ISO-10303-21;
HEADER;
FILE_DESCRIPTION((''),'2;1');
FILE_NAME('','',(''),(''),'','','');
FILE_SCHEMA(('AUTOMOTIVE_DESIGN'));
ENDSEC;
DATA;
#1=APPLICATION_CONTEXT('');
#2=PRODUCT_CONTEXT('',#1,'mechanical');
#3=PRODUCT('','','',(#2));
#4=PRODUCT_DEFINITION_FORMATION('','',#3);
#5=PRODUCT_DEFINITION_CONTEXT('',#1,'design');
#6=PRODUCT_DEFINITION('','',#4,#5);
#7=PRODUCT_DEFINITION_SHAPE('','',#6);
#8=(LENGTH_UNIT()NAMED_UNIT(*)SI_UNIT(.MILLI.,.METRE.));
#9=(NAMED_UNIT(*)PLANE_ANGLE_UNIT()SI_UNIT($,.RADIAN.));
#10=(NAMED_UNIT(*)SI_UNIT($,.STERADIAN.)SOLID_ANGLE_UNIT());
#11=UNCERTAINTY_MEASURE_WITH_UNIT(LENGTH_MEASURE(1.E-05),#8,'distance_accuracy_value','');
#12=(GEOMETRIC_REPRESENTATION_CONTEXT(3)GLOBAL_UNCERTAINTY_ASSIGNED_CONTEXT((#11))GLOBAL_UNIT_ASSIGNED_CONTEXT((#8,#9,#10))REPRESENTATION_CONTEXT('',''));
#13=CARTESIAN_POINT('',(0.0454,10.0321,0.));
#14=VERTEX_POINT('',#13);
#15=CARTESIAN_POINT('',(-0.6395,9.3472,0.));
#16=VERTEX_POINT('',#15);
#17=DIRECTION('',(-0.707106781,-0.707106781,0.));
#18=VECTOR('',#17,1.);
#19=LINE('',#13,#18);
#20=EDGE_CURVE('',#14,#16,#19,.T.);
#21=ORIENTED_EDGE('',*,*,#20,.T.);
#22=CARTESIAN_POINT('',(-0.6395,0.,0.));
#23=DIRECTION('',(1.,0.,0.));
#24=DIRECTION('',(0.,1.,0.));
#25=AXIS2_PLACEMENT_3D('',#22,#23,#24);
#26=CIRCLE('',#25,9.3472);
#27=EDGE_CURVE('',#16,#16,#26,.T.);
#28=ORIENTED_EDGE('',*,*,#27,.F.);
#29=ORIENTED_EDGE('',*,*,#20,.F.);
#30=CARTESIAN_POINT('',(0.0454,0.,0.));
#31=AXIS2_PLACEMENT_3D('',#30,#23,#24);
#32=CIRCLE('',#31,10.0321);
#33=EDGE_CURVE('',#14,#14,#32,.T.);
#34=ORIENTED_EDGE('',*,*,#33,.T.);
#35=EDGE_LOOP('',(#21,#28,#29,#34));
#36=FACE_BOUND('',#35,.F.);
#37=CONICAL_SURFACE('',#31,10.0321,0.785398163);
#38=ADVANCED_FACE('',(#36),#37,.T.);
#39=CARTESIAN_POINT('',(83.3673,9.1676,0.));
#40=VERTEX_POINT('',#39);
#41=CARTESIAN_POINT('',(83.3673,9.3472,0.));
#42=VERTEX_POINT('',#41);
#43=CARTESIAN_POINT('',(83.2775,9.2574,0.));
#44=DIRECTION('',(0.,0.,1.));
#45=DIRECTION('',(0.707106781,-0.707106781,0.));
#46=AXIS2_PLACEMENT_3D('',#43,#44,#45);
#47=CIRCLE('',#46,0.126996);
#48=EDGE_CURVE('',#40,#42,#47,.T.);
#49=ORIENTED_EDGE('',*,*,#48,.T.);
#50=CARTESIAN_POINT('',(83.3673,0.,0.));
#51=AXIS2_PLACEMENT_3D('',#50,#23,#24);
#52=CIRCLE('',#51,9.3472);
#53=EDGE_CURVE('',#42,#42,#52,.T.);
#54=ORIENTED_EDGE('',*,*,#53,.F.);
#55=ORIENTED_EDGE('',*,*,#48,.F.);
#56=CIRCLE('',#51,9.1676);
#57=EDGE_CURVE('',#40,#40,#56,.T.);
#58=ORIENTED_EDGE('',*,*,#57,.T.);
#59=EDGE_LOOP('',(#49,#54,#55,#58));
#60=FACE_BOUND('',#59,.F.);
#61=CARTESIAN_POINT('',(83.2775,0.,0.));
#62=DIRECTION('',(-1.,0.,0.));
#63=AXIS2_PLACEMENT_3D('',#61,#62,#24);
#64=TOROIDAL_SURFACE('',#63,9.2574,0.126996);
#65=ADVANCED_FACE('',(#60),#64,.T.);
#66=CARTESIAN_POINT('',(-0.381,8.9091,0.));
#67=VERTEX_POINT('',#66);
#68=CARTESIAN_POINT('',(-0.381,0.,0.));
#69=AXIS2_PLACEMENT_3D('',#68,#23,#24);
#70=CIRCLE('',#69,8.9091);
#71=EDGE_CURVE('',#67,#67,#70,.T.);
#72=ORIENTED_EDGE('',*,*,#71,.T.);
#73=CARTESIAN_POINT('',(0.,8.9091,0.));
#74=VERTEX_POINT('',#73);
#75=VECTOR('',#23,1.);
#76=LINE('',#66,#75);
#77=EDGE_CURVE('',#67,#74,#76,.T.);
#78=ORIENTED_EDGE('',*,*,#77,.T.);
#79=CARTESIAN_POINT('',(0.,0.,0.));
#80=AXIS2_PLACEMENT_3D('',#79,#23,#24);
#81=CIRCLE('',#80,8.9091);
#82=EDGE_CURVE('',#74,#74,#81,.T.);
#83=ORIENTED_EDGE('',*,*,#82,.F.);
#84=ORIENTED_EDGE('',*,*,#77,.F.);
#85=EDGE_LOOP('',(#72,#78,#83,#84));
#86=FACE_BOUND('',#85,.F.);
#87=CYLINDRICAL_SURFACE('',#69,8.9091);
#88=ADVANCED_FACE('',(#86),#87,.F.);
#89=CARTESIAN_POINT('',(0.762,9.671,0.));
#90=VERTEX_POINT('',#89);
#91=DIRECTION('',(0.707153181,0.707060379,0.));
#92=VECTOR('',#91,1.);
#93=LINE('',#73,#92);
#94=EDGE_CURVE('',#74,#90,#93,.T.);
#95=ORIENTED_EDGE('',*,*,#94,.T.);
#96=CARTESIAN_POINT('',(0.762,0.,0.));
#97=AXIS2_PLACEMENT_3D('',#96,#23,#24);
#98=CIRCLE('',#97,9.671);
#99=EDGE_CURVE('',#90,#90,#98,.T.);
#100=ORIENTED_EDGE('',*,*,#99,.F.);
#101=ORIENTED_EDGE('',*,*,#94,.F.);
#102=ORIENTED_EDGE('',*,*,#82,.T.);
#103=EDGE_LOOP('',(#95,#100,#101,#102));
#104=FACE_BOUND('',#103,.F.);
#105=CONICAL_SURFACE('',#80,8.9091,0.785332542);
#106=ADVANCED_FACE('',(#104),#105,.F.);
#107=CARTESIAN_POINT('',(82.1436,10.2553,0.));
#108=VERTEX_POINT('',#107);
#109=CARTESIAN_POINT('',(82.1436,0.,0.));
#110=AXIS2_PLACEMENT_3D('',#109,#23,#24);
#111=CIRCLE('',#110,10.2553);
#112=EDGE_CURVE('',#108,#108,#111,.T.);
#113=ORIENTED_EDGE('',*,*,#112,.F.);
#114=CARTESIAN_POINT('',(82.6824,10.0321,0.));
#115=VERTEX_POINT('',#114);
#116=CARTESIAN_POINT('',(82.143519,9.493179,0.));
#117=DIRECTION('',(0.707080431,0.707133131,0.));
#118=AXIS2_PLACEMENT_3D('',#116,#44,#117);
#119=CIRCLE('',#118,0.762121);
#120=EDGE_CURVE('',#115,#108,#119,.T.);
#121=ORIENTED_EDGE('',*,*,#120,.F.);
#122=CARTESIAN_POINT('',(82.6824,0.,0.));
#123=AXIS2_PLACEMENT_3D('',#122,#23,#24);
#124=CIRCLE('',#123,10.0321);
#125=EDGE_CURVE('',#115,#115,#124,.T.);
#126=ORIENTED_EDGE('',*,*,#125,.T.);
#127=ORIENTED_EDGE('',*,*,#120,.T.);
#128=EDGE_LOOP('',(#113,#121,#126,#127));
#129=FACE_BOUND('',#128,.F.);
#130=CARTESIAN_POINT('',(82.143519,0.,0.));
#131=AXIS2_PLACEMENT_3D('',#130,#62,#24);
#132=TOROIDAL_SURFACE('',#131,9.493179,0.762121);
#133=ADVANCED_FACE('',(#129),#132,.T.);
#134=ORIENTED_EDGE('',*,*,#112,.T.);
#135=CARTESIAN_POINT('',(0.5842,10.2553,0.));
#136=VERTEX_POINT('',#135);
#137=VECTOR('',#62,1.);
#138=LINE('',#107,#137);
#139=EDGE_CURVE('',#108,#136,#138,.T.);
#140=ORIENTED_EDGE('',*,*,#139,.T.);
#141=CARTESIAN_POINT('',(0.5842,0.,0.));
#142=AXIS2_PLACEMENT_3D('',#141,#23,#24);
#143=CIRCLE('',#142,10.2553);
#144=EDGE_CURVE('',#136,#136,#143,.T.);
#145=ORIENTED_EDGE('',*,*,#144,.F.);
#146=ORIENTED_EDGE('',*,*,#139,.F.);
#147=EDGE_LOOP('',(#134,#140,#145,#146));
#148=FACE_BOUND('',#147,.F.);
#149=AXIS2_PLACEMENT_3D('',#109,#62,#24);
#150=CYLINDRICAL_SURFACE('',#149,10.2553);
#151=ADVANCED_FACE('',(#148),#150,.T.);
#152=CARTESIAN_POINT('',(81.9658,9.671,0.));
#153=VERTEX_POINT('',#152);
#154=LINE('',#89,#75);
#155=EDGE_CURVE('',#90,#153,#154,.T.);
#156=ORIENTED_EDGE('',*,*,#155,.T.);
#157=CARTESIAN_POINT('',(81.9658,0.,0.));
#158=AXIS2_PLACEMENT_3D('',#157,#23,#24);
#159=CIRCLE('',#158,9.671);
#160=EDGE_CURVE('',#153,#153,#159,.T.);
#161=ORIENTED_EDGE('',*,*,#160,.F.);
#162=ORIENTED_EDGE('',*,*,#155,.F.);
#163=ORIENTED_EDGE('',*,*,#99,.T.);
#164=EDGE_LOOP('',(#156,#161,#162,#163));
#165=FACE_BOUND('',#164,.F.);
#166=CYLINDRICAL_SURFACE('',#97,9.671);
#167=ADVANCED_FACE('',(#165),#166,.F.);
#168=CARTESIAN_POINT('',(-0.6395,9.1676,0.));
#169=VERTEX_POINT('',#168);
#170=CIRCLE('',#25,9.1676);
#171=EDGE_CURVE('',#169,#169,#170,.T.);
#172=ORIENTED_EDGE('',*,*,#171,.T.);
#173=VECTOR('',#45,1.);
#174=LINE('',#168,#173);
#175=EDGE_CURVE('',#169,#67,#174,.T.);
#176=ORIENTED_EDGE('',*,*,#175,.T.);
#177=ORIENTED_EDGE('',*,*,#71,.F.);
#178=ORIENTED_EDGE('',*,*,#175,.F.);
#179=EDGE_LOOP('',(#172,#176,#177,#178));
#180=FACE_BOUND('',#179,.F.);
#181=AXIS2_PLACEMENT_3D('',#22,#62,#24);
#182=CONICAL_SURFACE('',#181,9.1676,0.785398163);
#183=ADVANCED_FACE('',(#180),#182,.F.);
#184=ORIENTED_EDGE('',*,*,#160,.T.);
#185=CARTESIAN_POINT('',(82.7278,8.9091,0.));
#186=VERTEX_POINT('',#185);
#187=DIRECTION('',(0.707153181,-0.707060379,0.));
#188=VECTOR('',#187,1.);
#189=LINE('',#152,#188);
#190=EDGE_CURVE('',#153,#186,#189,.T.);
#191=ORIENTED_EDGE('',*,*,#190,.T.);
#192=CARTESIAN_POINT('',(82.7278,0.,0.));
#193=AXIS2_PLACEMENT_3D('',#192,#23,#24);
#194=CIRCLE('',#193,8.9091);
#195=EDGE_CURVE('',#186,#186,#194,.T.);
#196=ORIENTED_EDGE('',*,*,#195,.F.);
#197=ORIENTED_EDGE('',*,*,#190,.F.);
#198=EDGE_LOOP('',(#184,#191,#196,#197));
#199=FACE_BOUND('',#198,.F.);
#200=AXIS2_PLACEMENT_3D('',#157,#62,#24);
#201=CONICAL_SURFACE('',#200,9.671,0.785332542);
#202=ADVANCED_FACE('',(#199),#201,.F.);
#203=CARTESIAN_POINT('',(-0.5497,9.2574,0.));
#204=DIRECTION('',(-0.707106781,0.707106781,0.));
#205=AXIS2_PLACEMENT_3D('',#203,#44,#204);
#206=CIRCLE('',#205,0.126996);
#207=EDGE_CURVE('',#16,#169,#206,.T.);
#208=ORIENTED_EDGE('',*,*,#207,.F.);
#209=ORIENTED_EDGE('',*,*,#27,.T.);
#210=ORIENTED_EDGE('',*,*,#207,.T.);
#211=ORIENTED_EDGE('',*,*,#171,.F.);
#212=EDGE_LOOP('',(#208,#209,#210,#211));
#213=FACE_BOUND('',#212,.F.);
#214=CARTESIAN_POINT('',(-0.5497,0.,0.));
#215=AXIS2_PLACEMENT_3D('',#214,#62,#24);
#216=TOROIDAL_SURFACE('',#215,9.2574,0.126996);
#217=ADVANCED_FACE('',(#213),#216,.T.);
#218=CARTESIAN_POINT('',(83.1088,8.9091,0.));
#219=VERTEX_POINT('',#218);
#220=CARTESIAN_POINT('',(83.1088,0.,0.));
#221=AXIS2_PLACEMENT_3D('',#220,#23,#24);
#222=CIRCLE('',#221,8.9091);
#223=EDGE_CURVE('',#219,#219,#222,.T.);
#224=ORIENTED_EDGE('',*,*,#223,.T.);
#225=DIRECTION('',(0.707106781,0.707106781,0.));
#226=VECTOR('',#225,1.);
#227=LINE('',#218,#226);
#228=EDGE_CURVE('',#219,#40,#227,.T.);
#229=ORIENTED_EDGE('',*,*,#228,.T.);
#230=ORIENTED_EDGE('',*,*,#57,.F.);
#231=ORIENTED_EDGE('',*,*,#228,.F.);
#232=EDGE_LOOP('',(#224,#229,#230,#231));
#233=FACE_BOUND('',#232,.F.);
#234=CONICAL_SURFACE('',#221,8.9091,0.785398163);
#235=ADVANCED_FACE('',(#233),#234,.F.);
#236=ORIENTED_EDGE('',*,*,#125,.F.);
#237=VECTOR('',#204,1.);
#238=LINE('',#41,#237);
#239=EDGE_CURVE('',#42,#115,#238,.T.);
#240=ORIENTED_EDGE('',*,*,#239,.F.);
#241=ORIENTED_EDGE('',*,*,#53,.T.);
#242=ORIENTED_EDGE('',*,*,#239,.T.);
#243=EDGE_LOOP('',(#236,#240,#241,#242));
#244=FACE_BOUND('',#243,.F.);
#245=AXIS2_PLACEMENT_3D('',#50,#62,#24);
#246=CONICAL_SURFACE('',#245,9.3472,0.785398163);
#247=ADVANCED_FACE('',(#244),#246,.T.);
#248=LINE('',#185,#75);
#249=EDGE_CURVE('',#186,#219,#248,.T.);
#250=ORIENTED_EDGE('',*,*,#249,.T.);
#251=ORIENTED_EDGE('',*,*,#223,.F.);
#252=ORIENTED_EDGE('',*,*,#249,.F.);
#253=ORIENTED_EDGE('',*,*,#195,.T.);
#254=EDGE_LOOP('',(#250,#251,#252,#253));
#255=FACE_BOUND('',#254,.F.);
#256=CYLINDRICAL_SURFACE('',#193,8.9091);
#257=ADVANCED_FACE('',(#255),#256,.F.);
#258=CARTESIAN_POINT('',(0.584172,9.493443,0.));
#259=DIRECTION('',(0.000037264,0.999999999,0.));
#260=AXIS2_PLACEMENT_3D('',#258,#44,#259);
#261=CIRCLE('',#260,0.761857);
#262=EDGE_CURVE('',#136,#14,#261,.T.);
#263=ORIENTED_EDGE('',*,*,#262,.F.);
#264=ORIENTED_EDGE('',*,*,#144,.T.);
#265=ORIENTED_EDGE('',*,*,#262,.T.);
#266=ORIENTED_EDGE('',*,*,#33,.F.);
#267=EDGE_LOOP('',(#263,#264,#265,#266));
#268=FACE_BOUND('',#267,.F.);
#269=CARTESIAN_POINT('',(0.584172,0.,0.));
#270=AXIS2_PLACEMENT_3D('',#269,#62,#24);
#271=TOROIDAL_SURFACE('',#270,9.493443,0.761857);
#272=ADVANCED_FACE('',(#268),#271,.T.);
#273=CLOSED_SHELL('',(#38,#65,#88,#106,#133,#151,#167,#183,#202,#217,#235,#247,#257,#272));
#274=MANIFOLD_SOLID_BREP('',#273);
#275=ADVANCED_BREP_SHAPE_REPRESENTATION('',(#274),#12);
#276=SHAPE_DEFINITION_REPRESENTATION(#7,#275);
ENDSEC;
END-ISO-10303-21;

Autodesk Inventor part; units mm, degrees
sketch "Sketch_1" plane through (0, 0, 0) normal (0, 0, 1) x (1, 0, 0)
  line L0 (82.7278, 0) -> (0, 0)
  arc A0 (-0.6395, 9.3472) -> (-0.6395, 9.1676) centre (-0.5497, 9.2574) ccw
  line L1 (-0.6395, 9.1676) -> (-0.381, 8.9091)
  line L2 (-0.381, 8.9091) -> (0, 8.9091)
  line L3 (0, 8.9091) -> (0.762, 9.671)
  line L4 (0.762, 9.671) -> (81.9658, 9.671)
  line L5 (81.9658, 9.671) -> (82.7278, 8.9091)
  line L6 (82.7278, 8.9091) -> (83.1088, 8.9091)
  line L7 (83.1088, 8.9091) -> (83.3673, 9.1676)
  arc A1 (83.3673, 9.1676) -> (83.3673, 9.3472) centre (83.2775, 9.2574) ccw
  line L8 (83.3673, 9.3472) -> (82.6824, 10.0321)
  arc A2 (82.6824, 10.0321) -> (82.1436, 10.2553) centre (82.1436, 9.4933) ccw
  line L9 (82.1436, 10.2553) -> (0.5842, 10.2553)
  arc A3 (0.5842, 10.2553) -> (0.0454, 10.0321) centre (0.5842, 9.4933) ccw
  line L10 (0.0454, 10.0321) -> (-0.6395, 9.3472)
revolve "Revolution1" add sketch "Sketch_1" angle 360 about axis through (82.7278, 0, 0) along (1, 0, 0)
ref_plane "tube_front_XY" through (0, 0, 0) normal (1, 0, 0) x (0, 0, -1)
ref_plane "tube_front_YZ" through (0, 0, 0) normal (0, 0, -1) x (0, 1, 0)
ref_plane "tube_front_ZX" through (0, 0, 0) normal (0, 1, 0) x (1, 0, 0)
ref_plane "tube_rear_XY" through (82.7278, 0, 0) normal (1, 0, 0) x (0, 0, -1)
ref_plane "tube_rear_YZ" through (82.7278, 0, 0) normal (0, 0, -1) x (0, 1, 0)
ref_plane "tube_rear_ZX" through (82.7278, 0, 0) normal (0, 1, 0) x (1, 0, 0)
ref_plane "cp1_XY" through (41.3639, 10.2553, 0) normal (1, 0, 0) x (0, 0, -1)
ref_plane "cp1_YZ" through (41.3639, 10.2553, 0) normal (0, 0, -1) x (0, 1, 0)
ref_plane "cp1_ZX" through (41.3639, 10.2553, 0) normal (0, 1, 0) x (1, 0, 0)
ref_plane "cp2_XY" through (41.3639, 0, -10.2553) normal (1, 0, 0) x (0, 0, -1)
ref_plane "cp2_YZ" through (41.3639, 0, -10.2553) normal (0, 0, -1) x (0, 1, 0)
ref_plane "cp2_ZX" through (41.3639, 0, -10.2553) normal (0, 1, 0) x (1, 0, 0)
ref_plane "cp3_XY" through (41.3639, -10.2553, 0) normal (1, 0, 0) x (0, 0, -1)
ref_plane "cp3_YZ" through (41.3639, -10.2553, 0) normal (0, 0, -1) x (0, 1, 0)
ref_plane "cp3_ZX" through (41.3639, -10.2553, 0) normal (0, 1, 0) x (1, 0, 0)
ref_plane "cp4_XY" through (41.3639, 0, 10.2553) normal (1, 0, 0) x (0, 0, -1)
ref_plane "cp4_YZ" through (41.3639, 0, 10.2553) normal (0, 0, -1) x (0, 1, 0)
ref_plane "cp4_ZX" through (41.3639, 0, 10.2553) normal (0, 1, 0) x (1, 0, 0)
properties part number "04R-3.2570"
